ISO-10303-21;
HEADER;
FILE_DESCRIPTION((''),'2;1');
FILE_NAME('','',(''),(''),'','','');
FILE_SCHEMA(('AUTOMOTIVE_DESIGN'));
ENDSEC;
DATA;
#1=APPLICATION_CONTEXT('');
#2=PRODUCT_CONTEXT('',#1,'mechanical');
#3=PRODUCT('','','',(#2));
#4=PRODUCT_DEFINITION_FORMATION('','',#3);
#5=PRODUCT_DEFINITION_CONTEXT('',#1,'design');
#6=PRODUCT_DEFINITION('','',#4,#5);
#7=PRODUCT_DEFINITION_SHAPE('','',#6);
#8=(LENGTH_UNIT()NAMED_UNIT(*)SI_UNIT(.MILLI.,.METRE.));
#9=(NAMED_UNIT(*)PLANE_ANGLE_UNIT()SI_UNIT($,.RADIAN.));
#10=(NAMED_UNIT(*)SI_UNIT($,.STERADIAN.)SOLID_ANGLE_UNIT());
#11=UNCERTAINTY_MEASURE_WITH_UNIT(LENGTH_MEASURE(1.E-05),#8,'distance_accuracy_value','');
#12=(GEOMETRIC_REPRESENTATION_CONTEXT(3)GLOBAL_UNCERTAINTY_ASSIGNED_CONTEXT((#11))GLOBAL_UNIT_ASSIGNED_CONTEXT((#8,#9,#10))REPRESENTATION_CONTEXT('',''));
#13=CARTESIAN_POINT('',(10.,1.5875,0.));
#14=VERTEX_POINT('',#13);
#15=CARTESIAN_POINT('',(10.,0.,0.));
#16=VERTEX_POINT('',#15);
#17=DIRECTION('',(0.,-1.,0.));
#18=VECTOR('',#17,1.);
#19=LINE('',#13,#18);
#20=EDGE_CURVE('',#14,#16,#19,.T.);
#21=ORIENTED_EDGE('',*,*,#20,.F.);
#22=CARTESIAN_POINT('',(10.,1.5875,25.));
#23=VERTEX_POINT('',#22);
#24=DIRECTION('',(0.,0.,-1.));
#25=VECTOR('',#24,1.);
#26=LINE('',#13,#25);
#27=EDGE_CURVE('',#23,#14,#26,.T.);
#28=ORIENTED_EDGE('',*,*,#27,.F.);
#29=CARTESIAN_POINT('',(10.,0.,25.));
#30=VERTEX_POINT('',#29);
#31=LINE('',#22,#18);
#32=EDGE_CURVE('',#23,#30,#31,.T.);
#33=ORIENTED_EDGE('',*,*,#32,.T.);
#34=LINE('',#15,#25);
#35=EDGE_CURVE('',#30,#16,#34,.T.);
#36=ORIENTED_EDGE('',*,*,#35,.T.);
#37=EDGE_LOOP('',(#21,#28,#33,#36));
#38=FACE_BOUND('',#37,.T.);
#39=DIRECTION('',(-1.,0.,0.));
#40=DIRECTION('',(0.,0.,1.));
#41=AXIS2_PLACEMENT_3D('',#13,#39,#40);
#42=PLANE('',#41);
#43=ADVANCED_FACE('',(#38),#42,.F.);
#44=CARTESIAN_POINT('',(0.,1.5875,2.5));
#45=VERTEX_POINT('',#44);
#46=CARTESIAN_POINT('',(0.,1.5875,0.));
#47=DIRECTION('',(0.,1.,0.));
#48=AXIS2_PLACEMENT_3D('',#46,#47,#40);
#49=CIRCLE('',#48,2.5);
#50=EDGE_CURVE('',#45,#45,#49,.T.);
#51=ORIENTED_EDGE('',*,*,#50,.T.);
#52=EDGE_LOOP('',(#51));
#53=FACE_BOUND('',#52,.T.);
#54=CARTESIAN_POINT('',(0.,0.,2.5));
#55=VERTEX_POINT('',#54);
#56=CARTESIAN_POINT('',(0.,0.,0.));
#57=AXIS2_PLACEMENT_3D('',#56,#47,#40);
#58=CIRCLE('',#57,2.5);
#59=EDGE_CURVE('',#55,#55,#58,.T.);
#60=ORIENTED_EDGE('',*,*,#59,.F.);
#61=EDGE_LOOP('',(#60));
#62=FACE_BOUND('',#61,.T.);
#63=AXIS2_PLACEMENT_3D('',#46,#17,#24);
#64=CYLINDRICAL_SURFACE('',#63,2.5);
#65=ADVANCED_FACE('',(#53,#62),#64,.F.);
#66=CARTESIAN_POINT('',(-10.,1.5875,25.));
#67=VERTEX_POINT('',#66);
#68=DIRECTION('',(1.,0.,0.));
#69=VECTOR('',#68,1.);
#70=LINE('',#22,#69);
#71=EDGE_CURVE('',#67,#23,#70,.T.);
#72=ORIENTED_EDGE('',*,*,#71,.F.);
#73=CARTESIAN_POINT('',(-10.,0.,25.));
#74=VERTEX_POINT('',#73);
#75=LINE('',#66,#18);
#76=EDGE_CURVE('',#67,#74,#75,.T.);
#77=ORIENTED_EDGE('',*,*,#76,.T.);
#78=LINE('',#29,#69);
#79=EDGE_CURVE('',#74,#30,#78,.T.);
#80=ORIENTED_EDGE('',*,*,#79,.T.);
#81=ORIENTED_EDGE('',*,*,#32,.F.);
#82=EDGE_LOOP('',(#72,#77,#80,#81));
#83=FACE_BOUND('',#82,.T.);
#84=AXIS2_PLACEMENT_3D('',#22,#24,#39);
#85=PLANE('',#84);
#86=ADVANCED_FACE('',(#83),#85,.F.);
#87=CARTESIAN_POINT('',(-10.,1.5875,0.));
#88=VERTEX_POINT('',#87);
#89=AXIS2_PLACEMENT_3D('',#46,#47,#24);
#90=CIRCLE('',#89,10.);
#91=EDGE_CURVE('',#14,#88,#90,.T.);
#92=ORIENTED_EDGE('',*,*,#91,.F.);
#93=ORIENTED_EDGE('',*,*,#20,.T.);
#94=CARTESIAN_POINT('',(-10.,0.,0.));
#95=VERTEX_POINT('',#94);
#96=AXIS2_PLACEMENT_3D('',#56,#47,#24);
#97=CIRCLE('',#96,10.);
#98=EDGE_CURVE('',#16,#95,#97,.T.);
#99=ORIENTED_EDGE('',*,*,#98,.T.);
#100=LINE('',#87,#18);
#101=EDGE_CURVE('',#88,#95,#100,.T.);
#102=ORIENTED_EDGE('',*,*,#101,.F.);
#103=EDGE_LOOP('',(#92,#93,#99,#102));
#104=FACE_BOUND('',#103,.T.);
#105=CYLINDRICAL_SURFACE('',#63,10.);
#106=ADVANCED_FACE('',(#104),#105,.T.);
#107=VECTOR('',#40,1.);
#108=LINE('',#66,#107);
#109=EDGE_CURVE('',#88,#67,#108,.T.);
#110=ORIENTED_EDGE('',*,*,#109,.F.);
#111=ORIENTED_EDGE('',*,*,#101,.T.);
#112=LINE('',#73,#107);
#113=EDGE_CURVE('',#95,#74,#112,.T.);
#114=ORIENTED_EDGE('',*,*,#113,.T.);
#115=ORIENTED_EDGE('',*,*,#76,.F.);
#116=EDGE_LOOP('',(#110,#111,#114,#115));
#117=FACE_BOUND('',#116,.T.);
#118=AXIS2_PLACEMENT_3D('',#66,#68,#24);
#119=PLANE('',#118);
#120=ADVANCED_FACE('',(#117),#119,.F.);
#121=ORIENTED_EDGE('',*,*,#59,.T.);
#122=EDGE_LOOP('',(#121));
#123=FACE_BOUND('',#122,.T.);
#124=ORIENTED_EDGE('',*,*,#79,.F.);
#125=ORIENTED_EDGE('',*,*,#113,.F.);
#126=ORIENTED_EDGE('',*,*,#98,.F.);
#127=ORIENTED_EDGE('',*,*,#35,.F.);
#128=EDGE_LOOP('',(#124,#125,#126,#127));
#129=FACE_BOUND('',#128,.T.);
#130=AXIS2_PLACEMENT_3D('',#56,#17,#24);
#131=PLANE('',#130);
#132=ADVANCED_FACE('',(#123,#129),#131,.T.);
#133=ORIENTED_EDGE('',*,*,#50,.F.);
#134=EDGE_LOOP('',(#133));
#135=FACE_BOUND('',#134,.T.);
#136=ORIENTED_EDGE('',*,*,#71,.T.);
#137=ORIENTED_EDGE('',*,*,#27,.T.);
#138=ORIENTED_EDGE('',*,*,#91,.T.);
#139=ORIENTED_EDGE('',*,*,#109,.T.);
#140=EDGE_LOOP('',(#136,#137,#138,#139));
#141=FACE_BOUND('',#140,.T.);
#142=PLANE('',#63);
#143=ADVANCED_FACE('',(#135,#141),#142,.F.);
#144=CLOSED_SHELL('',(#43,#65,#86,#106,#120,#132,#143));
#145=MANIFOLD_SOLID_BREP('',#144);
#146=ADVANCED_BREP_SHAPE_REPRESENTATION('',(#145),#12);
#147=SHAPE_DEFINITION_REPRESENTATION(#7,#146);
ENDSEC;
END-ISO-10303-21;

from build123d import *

# Parameters (mm, degrees)
SKETCH1_R           = 2.5
BOSS_EXTRUDE1_DEPTH = 1.5875


with BuildPart() as part:
    # Sketch1 → Boss-Extrude1 (new body)
    with BuildSketch(Plane(origin=(0, 0, 0), x_dir=(1, 0, 0), z_dir=(0, 1, 0))):
        with BuildLine():
            Line((10, 0), (10, -25))
            Line((10, -25), (-10, -25))
            Line((-10, -25), (-10, 0))
            ThreePointArc((-10, 0), (0, 10), (10, 0))
        make_face()
        with Locations(Location((0, 0, 0), (0, 0, 270))):
            Circle(SKETCH1_R, mode=Mode.SUBTRACT)
    extrude(amount=BOSS_EXTRUDE1_DEPTH)


solid = part.part
